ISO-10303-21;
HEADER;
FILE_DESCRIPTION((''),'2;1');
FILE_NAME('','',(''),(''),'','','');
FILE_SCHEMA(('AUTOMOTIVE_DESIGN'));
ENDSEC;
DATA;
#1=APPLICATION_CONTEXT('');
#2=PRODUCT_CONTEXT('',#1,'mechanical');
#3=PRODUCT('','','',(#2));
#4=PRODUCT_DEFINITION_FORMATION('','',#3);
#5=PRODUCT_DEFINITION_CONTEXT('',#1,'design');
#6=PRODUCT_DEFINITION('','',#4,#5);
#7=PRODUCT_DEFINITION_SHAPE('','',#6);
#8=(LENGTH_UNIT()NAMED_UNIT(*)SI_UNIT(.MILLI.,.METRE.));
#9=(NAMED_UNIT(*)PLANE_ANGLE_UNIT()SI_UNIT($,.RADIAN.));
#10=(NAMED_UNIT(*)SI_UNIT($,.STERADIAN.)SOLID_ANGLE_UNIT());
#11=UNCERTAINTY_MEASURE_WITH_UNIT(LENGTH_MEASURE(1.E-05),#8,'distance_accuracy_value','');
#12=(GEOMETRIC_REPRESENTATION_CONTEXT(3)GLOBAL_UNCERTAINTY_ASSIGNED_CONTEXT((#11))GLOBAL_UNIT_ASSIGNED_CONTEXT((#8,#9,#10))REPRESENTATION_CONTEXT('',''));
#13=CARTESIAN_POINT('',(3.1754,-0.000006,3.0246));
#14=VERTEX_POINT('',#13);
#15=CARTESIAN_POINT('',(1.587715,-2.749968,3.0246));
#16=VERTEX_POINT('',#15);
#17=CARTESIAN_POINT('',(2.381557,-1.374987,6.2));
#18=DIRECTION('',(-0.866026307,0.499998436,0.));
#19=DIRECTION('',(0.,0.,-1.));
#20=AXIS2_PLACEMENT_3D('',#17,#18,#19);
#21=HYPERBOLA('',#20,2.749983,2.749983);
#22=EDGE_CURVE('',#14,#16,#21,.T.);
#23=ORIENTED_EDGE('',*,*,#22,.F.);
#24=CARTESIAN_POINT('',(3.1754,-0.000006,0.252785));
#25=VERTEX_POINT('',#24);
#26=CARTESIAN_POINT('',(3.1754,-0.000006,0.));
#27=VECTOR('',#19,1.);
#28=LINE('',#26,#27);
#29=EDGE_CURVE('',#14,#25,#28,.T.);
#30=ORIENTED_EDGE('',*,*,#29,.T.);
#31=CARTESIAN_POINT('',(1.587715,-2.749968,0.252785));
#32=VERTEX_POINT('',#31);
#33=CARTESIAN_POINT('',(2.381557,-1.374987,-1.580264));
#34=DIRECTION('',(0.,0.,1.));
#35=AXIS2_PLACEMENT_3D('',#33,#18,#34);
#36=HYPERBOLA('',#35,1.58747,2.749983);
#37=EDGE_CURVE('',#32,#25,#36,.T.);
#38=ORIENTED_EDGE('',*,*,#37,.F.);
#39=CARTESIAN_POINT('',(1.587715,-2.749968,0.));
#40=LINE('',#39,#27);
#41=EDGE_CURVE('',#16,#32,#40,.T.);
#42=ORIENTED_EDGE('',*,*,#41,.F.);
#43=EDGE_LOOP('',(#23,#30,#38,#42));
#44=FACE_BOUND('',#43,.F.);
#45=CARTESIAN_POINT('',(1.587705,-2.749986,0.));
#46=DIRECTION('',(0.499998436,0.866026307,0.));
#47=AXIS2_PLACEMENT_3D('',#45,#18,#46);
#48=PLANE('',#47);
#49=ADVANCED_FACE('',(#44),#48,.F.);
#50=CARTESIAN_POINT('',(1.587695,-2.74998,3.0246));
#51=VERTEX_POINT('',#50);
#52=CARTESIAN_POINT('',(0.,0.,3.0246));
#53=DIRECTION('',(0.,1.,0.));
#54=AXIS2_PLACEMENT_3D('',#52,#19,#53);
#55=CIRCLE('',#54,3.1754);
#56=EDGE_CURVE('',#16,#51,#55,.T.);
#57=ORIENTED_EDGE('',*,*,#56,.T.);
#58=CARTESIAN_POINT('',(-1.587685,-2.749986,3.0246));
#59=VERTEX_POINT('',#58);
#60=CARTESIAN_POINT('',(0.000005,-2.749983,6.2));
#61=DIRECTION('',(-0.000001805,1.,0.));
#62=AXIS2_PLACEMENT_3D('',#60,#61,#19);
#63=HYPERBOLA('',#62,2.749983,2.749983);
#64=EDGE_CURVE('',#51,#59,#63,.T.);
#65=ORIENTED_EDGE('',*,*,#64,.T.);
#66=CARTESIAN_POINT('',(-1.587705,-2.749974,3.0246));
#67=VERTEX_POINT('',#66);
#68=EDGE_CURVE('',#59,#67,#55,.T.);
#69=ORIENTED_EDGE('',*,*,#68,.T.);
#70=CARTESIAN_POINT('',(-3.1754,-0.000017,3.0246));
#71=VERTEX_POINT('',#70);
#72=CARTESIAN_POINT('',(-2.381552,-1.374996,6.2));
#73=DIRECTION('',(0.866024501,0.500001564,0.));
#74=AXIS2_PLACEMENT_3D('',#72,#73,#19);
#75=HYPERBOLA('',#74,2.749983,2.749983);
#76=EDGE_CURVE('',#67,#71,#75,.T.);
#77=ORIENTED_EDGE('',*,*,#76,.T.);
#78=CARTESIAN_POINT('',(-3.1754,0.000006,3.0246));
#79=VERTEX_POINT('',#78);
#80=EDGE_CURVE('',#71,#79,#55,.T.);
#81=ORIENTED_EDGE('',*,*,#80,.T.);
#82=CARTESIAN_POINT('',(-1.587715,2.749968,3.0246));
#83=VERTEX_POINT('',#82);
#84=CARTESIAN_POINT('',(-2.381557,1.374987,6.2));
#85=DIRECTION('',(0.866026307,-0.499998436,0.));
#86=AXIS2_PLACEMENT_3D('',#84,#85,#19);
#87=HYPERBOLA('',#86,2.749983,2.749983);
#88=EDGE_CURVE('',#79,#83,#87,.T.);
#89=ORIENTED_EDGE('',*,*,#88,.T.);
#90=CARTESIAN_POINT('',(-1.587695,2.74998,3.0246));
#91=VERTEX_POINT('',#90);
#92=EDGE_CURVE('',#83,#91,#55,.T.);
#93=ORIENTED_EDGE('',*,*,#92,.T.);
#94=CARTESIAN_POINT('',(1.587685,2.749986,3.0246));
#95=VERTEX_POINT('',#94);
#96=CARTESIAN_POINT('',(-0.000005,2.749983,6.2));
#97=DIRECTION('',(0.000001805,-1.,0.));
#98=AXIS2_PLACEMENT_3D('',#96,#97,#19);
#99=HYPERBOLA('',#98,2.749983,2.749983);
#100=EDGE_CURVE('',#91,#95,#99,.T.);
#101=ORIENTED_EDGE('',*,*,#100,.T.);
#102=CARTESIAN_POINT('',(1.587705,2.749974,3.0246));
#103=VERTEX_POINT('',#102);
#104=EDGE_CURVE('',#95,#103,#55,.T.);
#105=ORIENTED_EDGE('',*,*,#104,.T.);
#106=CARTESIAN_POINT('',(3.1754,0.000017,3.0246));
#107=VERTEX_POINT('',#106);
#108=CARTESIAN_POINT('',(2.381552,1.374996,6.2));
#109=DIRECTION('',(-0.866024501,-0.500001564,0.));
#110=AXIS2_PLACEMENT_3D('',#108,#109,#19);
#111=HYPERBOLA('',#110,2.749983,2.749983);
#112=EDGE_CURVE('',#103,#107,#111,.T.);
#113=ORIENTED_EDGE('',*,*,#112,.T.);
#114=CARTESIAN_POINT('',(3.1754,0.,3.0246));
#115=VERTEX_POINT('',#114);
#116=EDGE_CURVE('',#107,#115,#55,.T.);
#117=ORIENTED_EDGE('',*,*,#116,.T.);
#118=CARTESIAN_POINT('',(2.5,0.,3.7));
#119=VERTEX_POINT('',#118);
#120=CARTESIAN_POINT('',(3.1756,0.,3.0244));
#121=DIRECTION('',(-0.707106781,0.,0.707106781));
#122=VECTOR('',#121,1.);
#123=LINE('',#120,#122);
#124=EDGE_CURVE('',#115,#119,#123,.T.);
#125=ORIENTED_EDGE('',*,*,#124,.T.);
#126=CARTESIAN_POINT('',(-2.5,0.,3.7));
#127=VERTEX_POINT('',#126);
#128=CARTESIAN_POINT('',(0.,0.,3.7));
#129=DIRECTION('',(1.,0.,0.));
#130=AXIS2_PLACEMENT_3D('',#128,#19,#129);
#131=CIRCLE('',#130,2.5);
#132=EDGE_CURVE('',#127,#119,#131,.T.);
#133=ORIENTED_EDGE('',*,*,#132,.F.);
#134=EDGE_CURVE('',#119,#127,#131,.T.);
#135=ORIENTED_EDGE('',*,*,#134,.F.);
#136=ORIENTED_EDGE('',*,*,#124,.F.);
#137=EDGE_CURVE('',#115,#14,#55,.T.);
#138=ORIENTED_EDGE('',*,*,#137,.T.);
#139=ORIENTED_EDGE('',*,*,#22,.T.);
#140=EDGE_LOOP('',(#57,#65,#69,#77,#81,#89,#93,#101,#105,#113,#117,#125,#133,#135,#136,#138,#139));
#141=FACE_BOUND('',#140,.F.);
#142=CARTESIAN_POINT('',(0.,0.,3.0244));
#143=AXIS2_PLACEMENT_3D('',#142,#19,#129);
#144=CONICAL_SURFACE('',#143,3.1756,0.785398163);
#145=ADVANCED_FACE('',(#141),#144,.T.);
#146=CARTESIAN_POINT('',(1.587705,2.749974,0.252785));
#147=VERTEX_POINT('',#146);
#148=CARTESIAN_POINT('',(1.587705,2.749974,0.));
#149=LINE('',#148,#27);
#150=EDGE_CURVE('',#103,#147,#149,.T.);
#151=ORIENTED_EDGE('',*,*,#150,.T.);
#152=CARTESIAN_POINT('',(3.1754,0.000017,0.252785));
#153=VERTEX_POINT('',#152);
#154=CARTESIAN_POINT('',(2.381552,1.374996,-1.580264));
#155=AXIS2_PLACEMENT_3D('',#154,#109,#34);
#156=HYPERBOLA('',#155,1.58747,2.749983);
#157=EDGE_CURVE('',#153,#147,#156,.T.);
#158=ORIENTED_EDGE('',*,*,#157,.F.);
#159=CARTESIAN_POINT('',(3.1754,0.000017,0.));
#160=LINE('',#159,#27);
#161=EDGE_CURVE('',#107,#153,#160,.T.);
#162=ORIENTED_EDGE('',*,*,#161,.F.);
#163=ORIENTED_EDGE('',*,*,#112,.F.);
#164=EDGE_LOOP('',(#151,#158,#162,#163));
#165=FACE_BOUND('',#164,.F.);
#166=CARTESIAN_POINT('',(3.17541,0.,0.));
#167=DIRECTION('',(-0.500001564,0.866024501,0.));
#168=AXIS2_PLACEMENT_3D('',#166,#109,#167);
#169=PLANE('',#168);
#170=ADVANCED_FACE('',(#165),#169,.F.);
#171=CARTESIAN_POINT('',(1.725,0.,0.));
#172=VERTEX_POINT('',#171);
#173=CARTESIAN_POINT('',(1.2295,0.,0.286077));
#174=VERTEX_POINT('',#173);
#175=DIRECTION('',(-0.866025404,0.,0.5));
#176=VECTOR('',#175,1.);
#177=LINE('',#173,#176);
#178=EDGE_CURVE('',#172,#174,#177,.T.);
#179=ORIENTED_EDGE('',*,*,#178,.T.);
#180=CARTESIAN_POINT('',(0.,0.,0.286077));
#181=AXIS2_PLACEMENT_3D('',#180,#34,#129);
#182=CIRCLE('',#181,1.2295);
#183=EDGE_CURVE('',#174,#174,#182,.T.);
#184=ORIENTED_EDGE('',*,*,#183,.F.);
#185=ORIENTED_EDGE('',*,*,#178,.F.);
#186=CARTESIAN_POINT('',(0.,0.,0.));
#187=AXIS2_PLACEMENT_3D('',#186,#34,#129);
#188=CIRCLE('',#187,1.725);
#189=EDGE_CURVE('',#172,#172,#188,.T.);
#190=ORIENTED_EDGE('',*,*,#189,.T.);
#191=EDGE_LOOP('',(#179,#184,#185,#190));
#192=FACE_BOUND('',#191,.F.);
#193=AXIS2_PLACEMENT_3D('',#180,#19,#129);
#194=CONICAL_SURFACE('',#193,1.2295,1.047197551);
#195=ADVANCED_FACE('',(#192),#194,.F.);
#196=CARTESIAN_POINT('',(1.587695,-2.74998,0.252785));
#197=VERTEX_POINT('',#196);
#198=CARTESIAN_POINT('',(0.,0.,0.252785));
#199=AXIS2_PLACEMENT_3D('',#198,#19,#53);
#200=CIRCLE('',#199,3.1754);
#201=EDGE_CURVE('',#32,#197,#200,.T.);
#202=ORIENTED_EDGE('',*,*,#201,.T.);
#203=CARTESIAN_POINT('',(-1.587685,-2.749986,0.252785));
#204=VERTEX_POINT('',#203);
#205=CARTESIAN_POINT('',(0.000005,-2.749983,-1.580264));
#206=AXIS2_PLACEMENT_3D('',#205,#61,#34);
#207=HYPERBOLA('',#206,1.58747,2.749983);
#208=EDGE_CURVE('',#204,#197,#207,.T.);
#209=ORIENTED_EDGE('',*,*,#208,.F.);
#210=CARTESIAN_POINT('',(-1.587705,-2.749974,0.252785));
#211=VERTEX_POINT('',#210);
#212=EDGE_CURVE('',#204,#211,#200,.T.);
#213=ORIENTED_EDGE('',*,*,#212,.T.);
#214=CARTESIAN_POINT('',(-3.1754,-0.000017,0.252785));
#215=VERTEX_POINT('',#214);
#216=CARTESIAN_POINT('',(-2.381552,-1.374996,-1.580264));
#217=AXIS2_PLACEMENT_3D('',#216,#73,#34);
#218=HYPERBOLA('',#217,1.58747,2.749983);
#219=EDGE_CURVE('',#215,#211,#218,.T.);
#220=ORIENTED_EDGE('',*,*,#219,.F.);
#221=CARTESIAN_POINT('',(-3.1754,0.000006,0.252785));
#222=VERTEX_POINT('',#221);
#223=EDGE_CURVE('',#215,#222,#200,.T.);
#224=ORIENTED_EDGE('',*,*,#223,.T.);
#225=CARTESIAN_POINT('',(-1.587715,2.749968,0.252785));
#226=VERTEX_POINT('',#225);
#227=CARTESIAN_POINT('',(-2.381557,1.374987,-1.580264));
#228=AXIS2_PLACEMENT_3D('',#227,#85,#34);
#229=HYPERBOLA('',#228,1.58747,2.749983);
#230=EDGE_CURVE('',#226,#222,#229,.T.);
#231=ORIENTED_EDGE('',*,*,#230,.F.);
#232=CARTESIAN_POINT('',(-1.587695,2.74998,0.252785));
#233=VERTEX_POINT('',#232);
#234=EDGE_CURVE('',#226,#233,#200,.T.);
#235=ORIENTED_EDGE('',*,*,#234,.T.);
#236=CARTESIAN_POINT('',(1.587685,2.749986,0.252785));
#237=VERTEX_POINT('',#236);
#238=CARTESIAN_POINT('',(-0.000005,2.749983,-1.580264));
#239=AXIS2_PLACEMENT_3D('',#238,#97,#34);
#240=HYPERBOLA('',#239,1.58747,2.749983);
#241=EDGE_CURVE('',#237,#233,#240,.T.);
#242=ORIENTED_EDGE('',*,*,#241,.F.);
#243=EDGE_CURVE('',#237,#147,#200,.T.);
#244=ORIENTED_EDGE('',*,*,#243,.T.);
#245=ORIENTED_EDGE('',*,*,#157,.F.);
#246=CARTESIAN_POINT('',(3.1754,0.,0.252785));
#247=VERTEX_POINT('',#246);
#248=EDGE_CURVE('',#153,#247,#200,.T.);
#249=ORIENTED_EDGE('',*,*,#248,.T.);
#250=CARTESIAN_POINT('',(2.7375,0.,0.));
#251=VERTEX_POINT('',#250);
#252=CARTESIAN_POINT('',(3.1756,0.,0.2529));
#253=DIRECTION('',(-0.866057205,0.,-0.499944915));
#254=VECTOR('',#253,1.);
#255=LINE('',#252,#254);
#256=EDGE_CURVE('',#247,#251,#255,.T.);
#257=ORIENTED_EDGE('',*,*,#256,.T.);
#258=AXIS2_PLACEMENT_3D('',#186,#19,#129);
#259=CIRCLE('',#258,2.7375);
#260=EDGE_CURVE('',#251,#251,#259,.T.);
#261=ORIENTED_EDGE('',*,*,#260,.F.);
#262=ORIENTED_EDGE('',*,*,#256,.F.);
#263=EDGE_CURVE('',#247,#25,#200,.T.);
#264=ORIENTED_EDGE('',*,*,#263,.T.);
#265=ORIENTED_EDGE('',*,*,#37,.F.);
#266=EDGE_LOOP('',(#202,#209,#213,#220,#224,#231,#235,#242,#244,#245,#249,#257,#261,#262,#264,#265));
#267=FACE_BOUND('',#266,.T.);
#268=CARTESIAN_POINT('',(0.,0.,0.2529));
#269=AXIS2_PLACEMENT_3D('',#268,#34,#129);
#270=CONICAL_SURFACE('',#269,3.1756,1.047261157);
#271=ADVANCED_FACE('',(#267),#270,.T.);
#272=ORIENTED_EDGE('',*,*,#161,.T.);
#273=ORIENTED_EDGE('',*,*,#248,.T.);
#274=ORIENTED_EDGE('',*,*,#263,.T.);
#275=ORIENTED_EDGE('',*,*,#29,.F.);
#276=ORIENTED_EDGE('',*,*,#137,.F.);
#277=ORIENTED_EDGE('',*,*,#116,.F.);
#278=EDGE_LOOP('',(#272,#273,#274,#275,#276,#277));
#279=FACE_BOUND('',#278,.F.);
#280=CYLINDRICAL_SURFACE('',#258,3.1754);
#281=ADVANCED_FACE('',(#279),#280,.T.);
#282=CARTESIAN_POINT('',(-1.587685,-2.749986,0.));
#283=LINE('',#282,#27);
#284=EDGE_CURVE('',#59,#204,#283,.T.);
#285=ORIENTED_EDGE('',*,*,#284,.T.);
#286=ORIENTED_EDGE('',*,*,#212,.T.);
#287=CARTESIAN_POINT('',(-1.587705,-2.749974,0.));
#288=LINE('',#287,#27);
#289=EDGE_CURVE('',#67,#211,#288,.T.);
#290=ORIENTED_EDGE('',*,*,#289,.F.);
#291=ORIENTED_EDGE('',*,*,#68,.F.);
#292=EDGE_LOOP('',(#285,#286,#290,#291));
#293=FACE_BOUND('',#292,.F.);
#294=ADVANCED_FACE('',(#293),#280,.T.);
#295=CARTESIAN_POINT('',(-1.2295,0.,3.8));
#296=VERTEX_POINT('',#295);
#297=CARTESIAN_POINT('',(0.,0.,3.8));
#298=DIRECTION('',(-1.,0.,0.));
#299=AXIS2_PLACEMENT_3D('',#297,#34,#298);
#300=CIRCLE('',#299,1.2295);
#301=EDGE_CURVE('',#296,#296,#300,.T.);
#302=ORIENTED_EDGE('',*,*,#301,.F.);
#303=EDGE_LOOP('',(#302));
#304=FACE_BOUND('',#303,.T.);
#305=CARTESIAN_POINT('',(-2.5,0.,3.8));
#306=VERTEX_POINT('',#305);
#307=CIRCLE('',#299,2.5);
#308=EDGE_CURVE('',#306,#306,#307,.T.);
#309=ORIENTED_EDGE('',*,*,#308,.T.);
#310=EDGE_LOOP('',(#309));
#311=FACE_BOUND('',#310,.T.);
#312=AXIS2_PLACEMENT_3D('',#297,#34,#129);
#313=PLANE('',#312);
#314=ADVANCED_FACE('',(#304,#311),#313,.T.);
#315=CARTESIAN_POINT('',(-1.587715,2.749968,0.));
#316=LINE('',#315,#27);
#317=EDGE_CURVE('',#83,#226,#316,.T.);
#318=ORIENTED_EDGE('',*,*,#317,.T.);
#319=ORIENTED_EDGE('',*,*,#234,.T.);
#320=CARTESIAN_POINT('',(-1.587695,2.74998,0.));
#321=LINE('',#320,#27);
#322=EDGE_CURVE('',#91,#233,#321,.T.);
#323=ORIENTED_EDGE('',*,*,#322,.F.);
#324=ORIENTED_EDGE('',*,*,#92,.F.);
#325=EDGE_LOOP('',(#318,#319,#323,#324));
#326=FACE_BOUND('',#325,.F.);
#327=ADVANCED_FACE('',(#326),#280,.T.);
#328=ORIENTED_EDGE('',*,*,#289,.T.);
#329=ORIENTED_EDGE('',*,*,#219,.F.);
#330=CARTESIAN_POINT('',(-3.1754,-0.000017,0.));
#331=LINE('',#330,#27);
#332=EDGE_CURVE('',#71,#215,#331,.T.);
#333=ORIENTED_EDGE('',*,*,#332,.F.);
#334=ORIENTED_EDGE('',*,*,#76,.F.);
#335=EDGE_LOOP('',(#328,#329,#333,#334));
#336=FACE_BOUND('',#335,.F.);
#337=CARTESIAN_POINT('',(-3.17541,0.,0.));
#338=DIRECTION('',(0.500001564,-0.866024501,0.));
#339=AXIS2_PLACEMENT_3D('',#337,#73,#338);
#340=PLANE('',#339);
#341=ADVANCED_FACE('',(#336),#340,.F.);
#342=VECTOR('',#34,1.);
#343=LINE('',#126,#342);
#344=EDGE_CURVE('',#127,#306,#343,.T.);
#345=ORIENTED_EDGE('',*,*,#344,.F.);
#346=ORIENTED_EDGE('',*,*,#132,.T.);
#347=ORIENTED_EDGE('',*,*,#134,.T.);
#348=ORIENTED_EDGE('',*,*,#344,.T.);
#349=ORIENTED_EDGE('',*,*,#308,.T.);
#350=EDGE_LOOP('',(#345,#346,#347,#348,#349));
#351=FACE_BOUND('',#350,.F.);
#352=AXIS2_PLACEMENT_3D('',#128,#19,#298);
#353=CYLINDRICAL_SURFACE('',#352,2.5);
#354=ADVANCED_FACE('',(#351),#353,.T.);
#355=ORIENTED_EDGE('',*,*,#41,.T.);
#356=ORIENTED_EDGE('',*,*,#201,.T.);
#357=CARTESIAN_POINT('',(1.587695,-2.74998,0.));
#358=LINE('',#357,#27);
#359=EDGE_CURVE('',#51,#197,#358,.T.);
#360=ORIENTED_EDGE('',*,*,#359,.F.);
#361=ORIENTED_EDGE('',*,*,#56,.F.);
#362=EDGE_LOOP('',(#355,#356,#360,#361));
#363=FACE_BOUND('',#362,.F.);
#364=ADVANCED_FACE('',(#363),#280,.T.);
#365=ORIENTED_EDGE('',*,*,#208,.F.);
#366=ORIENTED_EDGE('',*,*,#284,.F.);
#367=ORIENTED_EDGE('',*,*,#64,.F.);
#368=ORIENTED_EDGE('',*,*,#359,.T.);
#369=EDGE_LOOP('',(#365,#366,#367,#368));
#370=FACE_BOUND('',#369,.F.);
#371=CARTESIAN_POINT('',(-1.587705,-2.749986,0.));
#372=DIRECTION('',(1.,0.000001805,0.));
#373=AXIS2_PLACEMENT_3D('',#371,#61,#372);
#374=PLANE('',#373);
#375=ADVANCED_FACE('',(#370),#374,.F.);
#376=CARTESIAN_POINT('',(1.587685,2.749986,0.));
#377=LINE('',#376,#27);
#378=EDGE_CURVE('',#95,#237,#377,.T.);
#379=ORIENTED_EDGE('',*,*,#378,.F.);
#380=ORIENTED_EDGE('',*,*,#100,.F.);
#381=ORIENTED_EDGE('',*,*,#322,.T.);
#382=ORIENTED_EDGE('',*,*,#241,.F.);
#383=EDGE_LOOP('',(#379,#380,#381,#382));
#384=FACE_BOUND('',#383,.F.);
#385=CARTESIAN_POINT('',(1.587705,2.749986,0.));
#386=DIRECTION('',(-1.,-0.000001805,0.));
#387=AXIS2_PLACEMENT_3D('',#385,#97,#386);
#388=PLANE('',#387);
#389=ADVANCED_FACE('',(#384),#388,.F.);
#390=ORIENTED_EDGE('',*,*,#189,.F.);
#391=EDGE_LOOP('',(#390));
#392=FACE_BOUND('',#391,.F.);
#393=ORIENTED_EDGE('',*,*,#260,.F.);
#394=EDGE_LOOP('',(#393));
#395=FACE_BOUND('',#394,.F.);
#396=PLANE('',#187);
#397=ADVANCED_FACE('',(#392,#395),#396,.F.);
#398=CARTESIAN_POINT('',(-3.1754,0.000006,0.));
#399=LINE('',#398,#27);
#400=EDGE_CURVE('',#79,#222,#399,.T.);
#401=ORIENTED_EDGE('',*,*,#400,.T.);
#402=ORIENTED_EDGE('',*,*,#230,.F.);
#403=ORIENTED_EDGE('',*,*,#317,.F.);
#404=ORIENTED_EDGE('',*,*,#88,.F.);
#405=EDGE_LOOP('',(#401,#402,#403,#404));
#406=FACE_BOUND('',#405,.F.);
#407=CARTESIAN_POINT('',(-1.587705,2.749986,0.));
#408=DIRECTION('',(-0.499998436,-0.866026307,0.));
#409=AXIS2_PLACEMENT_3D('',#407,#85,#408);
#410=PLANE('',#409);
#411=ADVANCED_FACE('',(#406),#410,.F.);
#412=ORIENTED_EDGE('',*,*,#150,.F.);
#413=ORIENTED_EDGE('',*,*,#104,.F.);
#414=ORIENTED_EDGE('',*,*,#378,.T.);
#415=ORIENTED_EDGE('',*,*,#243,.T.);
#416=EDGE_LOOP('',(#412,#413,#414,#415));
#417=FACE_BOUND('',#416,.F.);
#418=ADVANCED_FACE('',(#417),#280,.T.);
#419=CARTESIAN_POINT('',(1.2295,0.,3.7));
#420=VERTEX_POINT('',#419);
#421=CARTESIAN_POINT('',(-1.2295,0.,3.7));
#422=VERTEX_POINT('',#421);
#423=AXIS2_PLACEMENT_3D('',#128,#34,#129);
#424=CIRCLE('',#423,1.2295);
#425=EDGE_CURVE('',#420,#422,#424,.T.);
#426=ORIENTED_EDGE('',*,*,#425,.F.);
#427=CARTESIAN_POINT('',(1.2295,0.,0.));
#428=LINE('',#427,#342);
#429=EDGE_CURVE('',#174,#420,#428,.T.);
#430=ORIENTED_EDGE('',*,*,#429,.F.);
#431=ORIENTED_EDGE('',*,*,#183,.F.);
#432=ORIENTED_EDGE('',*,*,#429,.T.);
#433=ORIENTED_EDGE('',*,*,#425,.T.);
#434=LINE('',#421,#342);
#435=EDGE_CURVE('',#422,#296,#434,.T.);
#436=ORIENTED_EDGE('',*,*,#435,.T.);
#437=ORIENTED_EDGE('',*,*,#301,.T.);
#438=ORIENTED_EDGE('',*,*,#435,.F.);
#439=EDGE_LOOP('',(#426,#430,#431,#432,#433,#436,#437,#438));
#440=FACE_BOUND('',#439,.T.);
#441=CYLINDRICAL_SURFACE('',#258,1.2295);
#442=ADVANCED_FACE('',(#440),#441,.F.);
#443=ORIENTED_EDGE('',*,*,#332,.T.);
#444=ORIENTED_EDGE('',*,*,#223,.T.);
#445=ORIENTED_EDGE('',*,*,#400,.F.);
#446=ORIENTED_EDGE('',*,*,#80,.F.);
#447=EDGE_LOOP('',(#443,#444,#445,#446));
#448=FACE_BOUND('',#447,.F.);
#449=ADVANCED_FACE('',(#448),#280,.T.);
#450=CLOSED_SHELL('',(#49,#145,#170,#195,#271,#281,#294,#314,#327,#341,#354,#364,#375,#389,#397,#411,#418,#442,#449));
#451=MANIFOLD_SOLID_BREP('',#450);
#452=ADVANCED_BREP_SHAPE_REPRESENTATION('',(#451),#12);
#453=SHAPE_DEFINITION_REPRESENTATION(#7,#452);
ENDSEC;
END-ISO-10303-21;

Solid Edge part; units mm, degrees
sketch "Sketch1" plane through (0, 0, 0) normal (0, 0, 1) x (1, 0, 0)
  circle A0 centre (0, 0) radius 1.2295
  circle A1 centre (0, 0) radius 3.1754
extrude "Protrusion1" add sketch "Sketch1" along normal blind 3.7
sketch "Sketch2" plane through (0, 0, 0) normal (0, 0, 1) x (1, 0, 0)
  line L0 (3.1754, 0) -> (1.5877, 2.75)
  arc A0 (1.5877, 2.75) -> (3.1754, 0) centre (0, 0) cw
  dimension "D1" = 2.75
extrude "ExtrudedCutout_1" cut sketch "Sketch2" along normal blind 3.7
pattern_circular "Pattern1" count 6 over 360 about axis through (0, 0, 0) along (0, 0, 1) of "ExtrudedCutout_1"
cosmetic_thread "Thread_1" size "M3" thread depth 3.7
sketch "Sketch3" plane through (0, 0, 0) normal (0, -1, 0) x (1, 0, 0)
  line L0 (2.7375, 0) -> (3.1756, 0)
  line L1 (3.1756, 0) -> (3.1756, 0.2529)
  line L2 (3.1756, 0.2529) -> (2.7375, 0)
  line L3 (2.5, 3.7) -> (3.1756, 3.7)
  line L4 (3.1756, 3.7) -> (3.1756, 3.0244)
  line L5 (3.1756, 3.0244) -> (2.5, 3.7)
  dimension "D1" = 3.7
  dimension "D2" = 2.7375
  dimension "D3" = 3.1756
  dimension "D4" = 2.5
  dimension "D5" = 3.1756
revolve "RevolvedCutout_1" cut sketch "Sketch3" angle 360 about axis through (0, 0, 9) along (0, 0, -1)
chamfer "Chamfer_1" distance 0.4955 angle 30 1 edges at (-1.2295, 0, 0) measured on face at (-1.8798, -1.7702, 0)
sketch "Sketch4" plane through (0, 0, 3.7) normal (0, 0, 1) x (-1, 0, 0)
  circle A0 centre (0, 0) radius 2.5
  circle A1 centre (0, 0) radius 1.2295
extrude "ExtrudedProtrusion_2" add sketch "Sketch4" along normal blind 0.1
properties material "Steel"
